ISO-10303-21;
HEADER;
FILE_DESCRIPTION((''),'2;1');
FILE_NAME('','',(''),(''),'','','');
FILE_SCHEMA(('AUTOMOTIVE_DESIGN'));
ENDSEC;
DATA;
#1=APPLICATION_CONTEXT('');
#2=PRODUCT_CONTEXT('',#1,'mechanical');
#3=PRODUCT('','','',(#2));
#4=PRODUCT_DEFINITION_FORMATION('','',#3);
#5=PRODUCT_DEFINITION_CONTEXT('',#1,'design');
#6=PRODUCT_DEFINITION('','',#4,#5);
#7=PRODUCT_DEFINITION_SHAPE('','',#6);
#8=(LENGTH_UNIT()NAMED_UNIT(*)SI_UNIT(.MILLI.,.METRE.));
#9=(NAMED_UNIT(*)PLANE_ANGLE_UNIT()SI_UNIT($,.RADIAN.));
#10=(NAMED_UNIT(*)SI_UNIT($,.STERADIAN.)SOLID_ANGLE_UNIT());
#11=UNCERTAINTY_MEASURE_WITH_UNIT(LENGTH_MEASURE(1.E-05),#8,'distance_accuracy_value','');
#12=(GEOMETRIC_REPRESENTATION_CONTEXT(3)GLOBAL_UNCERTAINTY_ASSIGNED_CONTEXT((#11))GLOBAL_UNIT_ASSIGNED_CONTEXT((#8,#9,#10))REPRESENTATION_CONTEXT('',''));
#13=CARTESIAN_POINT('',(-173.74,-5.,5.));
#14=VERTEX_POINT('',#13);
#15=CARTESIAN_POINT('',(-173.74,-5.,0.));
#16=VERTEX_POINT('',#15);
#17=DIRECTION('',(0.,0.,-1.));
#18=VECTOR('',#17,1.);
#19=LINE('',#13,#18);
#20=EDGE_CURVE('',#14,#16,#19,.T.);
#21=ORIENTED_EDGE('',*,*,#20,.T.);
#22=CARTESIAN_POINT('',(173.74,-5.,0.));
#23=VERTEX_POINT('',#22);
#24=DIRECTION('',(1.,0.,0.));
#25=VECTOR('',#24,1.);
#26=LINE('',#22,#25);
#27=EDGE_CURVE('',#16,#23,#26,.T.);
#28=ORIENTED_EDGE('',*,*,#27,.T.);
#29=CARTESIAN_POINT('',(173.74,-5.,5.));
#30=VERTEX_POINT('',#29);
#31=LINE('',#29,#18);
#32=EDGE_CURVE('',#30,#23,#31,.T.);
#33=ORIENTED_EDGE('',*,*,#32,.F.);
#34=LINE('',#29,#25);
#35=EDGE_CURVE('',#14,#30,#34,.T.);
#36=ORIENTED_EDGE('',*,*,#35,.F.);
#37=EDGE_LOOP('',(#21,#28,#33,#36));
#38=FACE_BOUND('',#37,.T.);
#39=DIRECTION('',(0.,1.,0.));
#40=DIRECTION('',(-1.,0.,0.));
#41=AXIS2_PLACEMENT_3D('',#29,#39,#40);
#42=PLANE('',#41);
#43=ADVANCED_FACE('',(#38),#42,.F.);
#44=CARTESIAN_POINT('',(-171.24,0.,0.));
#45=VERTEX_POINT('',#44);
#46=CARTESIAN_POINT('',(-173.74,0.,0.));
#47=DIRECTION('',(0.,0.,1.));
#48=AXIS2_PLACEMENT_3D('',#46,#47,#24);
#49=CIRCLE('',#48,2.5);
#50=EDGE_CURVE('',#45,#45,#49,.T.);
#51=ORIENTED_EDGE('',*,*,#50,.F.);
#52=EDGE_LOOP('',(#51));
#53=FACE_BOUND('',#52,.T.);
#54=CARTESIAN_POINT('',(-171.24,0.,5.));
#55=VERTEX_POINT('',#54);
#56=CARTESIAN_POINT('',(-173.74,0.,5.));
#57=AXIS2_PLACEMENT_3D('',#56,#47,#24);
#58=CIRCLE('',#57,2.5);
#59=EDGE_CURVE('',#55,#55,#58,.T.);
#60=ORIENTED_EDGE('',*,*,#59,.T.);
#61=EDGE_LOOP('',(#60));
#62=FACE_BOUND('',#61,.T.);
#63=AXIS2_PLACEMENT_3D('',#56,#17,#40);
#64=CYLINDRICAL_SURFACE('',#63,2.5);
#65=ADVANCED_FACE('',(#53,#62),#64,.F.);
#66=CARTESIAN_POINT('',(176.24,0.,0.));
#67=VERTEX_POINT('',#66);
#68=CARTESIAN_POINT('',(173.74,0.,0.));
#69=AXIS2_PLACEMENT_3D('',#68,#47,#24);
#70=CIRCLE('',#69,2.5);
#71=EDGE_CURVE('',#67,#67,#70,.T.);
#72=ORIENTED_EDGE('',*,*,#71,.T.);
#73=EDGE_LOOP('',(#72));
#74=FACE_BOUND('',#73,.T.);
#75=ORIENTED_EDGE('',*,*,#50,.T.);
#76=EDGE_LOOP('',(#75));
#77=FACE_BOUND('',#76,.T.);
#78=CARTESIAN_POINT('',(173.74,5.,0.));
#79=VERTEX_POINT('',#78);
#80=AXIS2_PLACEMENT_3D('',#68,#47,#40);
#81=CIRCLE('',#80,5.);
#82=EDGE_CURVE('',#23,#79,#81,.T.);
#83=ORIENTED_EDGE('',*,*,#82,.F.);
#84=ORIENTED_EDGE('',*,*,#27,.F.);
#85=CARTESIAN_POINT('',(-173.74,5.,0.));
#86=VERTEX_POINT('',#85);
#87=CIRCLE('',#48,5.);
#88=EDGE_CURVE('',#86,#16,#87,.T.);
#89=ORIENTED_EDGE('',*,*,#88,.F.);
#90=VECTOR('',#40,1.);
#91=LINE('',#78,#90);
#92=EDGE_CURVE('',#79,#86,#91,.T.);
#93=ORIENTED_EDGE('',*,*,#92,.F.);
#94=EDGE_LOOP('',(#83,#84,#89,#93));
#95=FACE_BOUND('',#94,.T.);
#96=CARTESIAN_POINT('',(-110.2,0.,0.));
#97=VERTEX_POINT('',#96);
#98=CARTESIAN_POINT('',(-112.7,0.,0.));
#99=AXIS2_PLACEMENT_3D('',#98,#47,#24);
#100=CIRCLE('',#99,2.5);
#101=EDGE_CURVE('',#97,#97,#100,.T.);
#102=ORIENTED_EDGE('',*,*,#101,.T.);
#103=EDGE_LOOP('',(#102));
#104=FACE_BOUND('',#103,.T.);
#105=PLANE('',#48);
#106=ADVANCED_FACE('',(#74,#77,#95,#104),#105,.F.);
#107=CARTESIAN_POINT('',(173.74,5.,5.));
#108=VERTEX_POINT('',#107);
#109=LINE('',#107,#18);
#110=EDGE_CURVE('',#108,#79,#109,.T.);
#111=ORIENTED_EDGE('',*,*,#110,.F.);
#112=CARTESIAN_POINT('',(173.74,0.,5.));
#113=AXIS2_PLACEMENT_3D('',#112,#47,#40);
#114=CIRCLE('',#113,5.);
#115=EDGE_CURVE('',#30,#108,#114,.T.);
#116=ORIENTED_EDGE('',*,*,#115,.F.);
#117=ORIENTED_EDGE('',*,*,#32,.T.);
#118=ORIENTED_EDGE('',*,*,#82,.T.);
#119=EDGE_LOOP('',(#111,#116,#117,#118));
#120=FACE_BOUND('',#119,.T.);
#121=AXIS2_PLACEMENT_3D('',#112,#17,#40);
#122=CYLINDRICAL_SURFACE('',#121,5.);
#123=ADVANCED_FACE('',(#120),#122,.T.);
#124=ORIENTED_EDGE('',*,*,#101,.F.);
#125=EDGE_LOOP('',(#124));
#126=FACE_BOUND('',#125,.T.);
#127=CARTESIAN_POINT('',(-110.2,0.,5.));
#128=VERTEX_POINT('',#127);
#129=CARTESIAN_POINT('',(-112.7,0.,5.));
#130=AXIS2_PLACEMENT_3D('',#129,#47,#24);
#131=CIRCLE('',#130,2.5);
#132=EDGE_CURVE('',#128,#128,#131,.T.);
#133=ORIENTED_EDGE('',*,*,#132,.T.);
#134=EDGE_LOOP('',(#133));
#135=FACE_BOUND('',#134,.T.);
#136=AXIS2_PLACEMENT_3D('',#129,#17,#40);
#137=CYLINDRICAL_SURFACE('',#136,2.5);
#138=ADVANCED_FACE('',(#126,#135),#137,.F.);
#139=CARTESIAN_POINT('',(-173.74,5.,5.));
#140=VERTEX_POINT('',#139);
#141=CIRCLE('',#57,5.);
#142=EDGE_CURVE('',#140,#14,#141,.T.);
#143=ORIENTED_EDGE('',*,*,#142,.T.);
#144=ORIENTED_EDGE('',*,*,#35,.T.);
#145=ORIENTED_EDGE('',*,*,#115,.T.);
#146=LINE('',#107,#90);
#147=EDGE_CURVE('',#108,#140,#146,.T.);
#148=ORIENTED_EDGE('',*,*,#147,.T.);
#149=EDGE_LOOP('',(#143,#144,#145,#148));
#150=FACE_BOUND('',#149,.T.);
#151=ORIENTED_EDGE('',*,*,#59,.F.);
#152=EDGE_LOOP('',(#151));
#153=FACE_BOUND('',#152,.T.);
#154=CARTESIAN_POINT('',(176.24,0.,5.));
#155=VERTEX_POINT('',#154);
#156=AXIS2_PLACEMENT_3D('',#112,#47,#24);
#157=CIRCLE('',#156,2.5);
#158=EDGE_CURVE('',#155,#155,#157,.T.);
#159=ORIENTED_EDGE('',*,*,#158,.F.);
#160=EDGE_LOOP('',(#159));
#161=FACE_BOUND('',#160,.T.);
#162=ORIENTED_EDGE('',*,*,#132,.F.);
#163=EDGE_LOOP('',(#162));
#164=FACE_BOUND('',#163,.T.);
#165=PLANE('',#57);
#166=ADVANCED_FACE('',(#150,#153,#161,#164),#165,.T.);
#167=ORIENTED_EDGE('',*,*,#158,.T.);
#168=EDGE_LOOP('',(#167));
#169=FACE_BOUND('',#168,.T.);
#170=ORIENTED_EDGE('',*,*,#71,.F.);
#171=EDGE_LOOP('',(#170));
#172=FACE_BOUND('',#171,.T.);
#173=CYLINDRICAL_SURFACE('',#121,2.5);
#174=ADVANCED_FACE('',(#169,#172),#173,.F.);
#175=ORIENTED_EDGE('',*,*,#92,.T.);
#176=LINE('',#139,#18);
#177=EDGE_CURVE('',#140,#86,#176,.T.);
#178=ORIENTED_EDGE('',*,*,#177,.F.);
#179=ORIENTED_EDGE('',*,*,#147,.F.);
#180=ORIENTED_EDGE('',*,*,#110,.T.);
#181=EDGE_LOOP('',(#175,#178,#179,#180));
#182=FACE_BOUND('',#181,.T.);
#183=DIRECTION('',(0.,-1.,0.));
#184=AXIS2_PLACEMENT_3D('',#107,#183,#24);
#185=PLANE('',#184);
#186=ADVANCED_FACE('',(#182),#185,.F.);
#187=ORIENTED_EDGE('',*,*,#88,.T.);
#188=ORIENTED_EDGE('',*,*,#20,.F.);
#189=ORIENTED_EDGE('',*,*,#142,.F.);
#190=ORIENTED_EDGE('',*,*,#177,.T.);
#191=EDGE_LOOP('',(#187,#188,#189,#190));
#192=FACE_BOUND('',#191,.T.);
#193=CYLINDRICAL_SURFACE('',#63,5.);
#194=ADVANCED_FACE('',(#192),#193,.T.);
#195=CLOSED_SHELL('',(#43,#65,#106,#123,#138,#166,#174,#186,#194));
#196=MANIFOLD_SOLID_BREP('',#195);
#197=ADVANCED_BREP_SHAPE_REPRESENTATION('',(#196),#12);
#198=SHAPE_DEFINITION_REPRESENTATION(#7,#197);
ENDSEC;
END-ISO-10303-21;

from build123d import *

# Parameters (mm, degrees)
ESBO_O1_R                = 2.5
RESSALTO_EXTRUS_O1_DEPTH = 5


with BuildPart() as part:
    # Esboço1 → Ressalto-extrusão1 (new body)
    with BuildSketch(Plane.XY):
        with BuildLine():
            Line((173.74, 5), (-173.74, 5))
            ThreePointArc((-173.74, 5), (-178.74, 0), (-173.74, -5))
            Line((-173.74, -5), (173.74, -5))
            ThreePointArc((173.74, -5), (178.74, 0), (173.74, 5))
        make_face()
        with Locations((-173.74, 0)):
            Circle(ESBO_O1_R, mode=Mode.SUBTRACT)
        with Locations((173.74, 0)):
            Circle(ESBO_O1_R, mode=Mode.SUBTRACT)
        with Locations((-112.7, 0)):
            Circle(ESBO_O1_R, mode=Mode.SUBTRACT)
    extrude(amount=RESSALTO_EXTRUS_O1_DEPTH)


solid = part.part
